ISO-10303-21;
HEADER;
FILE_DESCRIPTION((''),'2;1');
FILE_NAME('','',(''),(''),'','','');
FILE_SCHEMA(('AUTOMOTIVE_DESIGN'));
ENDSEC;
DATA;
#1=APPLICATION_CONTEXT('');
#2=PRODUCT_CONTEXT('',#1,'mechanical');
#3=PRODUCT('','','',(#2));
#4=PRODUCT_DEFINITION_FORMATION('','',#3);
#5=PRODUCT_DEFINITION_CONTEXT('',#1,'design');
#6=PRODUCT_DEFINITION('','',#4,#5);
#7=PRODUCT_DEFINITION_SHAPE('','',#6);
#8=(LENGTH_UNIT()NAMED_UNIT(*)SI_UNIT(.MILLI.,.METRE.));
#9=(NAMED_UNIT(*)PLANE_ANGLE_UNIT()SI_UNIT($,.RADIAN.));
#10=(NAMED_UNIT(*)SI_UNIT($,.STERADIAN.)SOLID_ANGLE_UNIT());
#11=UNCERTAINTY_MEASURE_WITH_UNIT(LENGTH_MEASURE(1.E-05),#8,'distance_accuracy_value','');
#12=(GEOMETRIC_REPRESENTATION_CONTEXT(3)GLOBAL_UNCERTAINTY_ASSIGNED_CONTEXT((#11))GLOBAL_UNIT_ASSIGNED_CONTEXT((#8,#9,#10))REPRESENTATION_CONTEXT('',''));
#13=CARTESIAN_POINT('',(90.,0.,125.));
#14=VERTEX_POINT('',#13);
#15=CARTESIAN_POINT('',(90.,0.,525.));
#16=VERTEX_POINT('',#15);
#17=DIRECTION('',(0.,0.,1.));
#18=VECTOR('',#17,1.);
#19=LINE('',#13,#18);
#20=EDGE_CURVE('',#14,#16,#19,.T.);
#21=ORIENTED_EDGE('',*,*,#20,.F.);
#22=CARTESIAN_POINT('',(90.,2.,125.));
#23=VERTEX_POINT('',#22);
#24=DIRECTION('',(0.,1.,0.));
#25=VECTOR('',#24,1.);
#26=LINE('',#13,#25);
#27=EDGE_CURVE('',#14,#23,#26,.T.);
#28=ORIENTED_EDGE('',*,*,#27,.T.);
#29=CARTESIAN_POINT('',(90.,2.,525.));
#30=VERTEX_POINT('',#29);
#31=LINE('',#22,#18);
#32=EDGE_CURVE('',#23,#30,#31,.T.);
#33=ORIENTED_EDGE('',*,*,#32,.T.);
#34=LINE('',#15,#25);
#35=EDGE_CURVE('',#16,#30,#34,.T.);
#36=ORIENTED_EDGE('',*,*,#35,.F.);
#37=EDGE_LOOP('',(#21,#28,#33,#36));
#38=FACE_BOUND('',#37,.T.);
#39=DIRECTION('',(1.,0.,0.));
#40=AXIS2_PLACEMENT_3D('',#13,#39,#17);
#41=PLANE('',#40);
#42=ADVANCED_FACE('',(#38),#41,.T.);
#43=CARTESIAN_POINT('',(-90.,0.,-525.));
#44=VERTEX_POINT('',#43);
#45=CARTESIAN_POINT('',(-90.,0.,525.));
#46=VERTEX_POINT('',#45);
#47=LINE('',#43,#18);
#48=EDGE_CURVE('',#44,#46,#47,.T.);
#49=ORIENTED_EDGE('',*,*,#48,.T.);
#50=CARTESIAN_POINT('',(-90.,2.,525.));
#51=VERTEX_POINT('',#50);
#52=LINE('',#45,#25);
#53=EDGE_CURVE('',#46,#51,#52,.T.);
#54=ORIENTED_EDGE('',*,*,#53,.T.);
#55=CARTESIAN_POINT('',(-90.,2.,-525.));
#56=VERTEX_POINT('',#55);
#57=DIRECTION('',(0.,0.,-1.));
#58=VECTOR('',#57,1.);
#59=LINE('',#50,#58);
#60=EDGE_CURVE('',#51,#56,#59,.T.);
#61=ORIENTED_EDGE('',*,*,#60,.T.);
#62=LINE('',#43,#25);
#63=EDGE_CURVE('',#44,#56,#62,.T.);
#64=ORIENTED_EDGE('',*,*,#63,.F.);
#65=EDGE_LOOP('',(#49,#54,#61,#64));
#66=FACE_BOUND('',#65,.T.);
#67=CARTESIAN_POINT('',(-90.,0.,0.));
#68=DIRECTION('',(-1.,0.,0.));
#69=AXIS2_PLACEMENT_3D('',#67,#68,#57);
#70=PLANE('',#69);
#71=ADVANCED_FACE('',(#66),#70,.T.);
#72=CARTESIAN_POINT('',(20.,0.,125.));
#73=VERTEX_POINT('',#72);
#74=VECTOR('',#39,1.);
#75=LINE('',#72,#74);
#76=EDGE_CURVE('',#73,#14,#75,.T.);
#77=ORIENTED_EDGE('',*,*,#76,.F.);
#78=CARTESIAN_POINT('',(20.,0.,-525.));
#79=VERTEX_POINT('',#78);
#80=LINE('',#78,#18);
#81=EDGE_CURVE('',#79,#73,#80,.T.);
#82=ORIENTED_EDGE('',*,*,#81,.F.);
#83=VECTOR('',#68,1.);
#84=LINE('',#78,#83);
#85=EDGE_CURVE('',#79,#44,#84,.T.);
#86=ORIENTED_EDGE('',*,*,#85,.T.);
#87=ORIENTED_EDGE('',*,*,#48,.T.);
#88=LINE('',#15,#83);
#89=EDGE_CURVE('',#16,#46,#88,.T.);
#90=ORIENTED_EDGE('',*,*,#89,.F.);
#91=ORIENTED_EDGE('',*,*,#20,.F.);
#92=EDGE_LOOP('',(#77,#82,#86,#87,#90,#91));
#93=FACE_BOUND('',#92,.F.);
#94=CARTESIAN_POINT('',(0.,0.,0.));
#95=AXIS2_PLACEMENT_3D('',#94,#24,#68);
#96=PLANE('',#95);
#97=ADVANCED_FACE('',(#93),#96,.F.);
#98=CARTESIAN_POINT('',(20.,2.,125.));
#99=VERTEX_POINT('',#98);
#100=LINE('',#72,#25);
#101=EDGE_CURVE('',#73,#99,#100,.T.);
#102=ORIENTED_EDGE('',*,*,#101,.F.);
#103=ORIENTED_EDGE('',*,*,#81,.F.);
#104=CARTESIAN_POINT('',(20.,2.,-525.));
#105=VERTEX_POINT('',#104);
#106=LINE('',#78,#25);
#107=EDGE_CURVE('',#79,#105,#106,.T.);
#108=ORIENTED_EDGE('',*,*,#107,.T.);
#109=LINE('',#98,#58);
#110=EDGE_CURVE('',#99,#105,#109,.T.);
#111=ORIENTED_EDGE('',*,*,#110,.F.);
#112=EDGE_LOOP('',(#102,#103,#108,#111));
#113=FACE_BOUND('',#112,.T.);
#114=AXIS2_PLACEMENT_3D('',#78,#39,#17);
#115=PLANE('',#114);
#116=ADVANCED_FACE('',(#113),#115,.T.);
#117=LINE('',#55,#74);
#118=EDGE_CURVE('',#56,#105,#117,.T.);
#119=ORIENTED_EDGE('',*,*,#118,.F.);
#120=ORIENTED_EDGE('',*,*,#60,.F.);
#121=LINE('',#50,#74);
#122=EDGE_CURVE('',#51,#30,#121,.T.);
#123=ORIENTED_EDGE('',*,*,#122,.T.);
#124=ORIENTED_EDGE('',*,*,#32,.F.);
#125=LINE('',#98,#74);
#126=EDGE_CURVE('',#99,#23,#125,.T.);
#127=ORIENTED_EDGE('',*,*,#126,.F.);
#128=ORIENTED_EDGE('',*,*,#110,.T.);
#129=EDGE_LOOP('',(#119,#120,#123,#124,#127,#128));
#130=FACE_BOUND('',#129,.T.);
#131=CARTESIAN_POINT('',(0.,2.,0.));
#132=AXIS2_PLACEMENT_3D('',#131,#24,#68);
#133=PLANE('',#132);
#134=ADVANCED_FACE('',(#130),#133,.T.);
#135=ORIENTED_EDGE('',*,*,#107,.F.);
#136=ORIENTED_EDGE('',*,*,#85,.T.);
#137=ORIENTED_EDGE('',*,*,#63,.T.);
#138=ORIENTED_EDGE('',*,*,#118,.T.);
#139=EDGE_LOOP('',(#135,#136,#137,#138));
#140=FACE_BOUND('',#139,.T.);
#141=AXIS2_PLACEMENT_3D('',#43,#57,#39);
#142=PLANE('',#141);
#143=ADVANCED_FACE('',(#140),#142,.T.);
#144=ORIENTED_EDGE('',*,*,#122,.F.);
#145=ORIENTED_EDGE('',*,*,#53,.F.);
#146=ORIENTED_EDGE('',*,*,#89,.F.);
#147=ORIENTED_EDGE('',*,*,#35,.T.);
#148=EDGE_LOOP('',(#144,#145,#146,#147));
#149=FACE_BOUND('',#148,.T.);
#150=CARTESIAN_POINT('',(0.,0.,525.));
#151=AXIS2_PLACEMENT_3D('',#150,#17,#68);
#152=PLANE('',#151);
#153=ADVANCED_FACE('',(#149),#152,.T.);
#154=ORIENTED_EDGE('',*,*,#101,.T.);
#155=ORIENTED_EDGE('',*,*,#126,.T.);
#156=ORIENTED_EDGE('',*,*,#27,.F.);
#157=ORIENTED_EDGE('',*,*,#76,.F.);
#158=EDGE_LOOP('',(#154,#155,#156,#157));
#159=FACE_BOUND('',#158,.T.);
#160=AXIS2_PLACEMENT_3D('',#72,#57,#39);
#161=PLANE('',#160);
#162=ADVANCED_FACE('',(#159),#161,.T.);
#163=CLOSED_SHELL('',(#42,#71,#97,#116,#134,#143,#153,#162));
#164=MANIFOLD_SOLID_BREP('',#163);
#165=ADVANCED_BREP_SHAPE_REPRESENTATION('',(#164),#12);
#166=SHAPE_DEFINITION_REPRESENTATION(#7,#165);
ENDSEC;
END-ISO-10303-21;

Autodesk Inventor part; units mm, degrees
ref_plane "YZ Plane" through (0, 0, 0) normal (1, 0, 0) x (0, 1, 0)
ref_plane "XZ Plane" through (0, 0, 0) normal (0, 1, 0) x (-1, 0, 0)
ref_plane "XY Plane" through (0, 0, 0) normal (0, 0, 1) x (1, 0, 0)
sketch "Sketch1" plane through (0, 0, 0) normal (0, 1, 0) x (-1, 0, 0)
  line L0 (90, -525) -> (-20, -525)
  line L1 (-90, 125) -> (-90, 525)
  line L2 (-90, 525) -> (90, 525)
  line L3 (90, 525) -> (90, -525)
  line L4 (-20, -525) -> (-20, 125)
  line L5 (-20, 125) -> (-90, 125)
  line L6 (0, 525) -> (0, -525)
  line L7 (90, 0) -> (-20, 0)
  point P0 (0, 0)
  dimension "d0" = 180
  dimension "d1" = 1050
  dimension "d2" = 650
  dimension "d3" = 110
extrude "Extrusion1" add sketch "Sketch1" along normal blind 2
properties part number "Do" material "LCP Plastic"
